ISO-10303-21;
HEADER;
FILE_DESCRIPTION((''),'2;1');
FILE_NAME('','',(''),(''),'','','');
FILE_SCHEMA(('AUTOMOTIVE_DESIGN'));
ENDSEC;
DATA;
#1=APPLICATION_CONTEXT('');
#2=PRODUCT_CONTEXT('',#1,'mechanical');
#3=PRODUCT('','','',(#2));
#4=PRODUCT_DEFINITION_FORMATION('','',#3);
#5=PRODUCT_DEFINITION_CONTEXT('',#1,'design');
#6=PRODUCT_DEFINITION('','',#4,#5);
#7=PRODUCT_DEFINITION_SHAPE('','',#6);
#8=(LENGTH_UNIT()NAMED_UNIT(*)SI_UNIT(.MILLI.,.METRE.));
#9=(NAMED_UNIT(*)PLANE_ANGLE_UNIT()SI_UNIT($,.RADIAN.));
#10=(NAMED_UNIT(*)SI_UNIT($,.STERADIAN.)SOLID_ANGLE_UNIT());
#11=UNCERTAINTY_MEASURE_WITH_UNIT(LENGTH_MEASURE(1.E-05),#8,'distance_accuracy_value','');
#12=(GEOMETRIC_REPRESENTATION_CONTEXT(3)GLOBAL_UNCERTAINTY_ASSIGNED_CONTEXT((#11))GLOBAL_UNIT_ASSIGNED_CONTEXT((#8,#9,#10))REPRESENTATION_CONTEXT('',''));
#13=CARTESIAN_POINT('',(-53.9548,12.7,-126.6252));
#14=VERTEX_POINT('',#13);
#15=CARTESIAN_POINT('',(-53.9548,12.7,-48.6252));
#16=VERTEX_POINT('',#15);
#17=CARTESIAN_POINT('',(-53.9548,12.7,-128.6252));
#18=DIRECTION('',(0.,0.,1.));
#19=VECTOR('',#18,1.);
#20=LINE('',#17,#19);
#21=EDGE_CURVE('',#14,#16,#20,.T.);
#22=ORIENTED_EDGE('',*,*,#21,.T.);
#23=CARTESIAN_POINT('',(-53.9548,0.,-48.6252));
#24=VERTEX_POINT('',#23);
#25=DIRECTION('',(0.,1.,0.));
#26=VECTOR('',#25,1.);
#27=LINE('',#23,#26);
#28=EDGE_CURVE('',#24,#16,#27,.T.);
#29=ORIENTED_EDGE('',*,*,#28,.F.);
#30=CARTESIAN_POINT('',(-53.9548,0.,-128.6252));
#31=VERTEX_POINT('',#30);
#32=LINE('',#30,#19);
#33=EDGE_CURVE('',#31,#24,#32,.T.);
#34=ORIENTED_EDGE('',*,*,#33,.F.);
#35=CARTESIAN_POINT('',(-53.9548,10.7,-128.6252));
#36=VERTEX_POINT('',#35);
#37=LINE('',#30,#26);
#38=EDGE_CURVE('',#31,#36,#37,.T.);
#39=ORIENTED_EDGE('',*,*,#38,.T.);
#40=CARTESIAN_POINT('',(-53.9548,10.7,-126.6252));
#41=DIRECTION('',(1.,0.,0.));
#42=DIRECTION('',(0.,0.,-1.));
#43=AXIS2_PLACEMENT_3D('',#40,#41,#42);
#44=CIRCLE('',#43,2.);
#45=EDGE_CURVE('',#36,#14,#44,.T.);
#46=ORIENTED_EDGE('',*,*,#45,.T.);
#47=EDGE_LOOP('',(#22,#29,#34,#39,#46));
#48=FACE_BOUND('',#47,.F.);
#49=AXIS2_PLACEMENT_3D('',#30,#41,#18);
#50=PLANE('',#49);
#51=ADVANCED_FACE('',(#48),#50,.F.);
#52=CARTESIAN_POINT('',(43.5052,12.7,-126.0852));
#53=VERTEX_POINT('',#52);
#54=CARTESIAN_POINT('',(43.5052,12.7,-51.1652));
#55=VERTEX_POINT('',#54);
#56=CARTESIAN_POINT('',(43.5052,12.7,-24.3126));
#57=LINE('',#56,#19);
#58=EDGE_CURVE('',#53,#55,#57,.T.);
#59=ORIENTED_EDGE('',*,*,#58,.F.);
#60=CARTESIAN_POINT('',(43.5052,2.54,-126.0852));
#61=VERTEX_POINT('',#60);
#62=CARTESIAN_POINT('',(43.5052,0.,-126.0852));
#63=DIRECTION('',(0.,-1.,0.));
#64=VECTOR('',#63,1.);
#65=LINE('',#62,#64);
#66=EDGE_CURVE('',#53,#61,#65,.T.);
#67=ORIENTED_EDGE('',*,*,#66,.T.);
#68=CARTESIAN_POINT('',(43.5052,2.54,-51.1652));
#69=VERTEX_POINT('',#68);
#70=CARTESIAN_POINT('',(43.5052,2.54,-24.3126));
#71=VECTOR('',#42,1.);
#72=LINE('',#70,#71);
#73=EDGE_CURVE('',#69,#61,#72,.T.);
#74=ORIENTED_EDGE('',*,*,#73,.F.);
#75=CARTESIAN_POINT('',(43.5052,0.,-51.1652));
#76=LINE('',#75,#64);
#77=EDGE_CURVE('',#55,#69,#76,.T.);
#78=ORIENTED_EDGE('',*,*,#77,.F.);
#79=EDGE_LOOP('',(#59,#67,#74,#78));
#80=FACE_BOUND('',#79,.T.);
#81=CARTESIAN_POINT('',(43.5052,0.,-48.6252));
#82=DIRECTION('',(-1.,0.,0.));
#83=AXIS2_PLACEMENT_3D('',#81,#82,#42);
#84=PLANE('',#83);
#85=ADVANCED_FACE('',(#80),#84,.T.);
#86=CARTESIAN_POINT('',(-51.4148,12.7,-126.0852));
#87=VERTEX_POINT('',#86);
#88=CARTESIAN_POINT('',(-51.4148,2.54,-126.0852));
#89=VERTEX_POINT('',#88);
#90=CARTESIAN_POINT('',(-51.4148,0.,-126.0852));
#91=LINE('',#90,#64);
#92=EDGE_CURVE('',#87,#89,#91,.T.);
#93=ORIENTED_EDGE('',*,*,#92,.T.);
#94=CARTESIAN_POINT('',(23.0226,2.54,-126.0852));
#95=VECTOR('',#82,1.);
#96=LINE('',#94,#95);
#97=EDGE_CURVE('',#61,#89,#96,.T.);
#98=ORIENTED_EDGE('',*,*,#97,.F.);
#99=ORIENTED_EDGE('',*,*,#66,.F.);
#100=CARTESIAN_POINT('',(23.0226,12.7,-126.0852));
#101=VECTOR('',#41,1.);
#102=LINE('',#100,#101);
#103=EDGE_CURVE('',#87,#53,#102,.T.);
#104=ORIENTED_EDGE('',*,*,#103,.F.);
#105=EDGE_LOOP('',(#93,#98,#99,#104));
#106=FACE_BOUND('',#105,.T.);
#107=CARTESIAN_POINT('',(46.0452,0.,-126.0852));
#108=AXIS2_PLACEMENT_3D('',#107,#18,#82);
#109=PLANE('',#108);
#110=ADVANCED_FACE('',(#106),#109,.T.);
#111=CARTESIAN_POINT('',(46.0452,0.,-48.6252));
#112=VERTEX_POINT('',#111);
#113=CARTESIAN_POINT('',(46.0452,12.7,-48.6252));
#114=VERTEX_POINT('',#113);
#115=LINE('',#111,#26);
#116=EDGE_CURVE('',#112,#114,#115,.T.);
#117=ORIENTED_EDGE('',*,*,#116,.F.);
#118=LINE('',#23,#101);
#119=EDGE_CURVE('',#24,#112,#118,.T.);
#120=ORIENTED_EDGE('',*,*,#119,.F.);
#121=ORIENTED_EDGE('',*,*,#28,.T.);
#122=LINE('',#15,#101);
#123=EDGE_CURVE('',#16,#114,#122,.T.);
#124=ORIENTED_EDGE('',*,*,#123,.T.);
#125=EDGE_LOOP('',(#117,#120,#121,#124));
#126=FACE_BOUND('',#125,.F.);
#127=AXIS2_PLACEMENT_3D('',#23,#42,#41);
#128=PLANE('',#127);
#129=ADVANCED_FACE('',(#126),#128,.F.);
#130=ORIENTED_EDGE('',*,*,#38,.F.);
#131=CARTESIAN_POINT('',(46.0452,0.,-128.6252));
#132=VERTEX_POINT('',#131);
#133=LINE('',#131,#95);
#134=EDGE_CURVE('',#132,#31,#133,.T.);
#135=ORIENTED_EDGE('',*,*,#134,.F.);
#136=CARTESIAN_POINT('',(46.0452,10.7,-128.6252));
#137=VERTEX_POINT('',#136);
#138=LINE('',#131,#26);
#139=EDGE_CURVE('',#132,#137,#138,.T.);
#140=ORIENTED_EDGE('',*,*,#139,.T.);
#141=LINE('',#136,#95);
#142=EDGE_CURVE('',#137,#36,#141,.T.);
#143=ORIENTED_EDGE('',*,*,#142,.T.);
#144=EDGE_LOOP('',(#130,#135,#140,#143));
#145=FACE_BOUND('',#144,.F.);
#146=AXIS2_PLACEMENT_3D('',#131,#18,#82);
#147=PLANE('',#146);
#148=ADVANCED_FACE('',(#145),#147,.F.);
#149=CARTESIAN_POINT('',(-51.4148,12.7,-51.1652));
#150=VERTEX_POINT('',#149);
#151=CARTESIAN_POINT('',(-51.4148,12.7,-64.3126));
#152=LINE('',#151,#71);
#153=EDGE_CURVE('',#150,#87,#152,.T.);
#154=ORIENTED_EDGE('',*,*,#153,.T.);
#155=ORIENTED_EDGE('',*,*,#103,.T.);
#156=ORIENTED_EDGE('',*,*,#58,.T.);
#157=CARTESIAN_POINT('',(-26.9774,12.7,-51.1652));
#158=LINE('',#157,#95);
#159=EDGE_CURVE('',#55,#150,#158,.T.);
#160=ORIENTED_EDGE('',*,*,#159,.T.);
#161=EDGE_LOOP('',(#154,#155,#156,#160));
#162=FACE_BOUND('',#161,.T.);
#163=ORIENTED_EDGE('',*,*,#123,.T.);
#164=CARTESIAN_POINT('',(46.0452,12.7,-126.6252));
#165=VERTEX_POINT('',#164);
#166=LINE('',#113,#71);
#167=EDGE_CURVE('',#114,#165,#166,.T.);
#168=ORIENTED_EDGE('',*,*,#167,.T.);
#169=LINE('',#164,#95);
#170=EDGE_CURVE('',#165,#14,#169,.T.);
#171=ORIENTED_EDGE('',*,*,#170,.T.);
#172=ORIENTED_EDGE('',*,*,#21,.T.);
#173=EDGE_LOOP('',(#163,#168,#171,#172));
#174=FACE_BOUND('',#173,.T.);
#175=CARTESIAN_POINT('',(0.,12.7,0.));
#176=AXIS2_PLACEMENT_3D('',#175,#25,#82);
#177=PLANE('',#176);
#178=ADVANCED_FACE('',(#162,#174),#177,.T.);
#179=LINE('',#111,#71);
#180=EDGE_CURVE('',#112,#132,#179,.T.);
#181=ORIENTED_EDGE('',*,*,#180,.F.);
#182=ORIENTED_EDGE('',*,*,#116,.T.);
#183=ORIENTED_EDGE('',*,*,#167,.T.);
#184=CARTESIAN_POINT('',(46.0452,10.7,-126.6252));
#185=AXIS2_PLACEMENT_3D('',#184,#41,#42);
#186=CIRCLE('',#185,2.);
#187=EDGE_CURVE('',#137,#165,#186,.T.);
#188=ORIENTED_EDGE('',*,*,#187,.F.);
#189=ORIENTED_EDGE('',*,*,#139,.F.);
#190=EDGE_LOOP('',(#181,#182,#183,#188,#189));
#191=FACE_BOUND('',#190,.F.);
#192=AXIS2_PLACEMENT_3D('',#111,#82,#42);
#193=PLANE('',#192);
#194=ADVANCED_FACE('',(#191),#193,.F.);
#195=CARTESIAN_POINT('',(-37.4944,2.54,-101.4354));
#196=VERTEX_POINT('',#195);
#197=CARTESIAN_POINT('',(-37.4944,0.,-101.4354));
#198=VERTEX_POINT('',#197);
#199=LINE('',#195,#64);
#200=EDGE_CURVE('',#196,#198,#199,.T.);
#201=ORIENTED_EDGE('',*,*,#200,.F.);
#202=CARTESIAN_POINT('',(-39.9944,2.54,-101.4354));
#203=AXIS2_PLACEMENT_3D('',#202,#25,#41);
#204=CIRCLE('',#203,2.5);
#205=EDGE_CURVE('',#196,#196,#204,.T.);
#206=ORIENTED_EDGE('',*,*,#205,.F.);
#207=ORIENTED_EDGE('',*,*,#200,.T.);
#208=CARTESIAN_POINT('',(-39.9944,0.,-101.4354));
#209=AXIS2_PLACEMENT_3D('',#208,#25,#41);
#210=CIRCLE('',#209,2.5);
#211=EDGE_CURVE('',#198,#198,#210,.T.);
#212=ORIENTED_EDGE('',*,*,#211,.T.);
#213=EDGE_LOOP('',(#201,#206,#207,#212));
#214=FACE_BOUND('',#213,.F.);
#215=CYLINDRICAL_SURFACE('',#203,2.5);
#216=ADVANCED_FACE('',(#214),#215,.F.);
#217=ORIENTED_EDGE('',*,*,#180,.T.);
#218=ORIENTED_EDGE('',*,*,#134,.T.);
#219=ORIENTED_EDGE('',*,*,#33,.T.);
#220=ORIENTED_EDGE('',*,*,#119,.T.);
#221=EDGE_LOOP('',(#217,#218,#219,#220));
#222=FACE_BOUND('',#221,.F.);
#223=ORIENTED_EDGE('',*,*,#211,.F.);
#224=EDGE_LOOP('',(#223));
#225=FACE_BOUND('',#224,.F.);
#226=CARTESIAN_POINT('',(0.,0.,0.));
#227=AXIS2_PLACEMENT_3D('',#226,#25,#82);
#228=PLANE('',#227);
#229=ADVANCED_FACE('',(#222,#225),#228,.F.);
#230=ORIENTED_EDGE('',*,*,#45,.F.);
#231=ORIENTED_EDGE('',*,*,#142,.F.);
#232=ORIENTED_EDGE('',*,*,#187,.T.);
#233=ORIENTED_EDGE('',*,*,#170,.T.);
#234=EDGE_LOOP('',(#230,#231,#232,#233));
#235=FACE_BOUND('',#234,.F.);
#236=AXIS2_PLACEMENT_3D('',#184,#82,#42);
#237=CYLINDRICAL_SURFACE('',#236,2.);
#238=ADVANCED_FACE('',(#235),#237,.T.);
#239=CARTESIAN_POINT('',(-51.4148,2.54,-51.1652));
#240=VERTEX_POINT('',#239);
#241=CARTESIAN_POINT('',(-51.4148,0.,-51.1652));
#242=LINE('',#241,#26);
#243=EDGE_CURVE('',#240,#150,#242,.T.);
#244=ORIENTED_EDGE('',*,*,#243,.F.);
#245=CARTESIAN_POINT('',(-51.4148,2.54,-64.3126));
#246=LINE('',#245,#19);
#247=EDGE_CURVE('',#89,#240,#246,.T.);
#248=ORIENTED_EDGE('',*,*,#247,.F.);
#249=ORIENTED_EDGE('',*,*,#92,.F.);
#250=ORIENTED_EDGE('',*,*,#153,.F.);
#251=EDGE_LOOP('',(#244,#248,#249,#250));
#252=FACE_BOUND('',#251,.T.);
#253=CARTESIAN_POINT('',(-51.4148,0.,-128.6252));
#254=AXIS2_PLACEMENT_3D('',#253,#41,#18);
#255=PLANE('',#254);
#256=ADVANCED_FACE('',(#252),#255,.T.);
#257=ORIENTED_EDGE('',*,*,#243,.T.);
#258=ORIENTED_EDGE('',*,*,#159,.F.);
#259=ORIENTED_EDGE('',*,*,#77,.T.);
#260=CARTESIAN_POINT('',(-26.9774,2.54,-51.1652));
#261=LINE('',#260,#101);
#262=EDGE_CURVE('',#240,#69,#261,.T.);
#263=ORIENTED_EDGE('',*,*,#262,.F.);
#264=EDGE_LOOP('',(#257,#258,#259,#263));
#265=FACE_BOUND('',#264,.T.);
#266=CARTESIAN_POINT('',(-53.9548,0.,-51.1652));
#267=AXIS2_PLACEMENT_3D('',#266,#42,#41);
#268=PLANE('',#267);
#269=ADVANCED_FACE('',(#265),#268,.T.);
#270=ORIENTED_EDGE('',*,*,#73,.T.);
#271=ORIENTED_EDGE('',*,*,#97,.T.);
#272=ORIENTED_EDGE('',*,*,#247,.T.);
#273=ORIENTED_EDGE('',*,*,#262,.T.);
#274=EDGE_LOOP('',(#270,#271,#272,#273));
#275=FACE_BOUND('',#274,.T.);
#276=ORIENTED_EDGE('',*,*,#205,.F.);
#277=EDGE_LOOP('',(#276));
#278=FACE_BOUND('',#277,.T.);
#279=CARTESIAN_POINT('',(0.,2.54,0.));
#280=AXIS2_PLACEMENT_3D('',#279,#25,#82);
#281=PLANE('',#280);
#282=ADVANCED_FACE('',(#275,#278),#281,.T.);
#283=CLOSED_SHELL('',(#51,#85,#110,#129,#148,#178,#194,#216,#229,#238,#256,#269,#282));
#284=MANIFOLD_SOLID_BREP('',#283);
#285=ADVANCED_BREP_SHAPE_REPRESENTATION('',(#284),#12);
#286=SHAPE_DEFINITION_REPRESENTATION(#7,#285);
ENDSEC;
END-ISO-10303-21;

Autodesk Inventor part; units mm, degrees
ref_plane "YZ Plane" through (0, 0, 0) normal (1, 0, 0) x (0, 1, 0)
ref_plane "XZ Plane" through (0, 0, 0) normal (0, 1, 0) x (-1, 0, 0)
ref_plane "XY Plane" through (0, 0, 0) normal (0, 0, 1) x (1, 0, 0)
sketch "Sketch1" plane through (0, 0, 0) normal (0, 1, 0) x (-1, 0, 0)
  line L0 (53.9548, -48.6252) -> (-46.0452, -48.6252)
  line L1 (-46.0452, -48.6252) -> (-46.0452, -128.6252)
  line L2 (-46.0452, -128.6252) -> (53.9548, -128.6252)
  line L3 (53.9548, -128.6252) -> (53.9548, -48.6252)
  point P0 (0, 0)
  dimension "d6" = 100
  dimension "d7" = 80
extrude "Extrusion1" add sketch "Sketch1" along normal blind 12.7
shell "Shell1" thickness 2.54 removed faces 1 at (12.7119, 12.7, -75.2919)
fillet "Fillet1" radius 2 1 edges at (-3.9548, 12.7, -128.6252)
sketch "Sketch2" plane through (-51.4148, 2.54, -126.0852) normal (0, 1, 0) x (1, 0, 0)
  circle A0 centre (11.4204, -24.6498) radius 2.5
  point P0 (51.4148, -126.0852)
  dimension "d8" = 5
extrude "Extrusion2" cut sketch "Sketch2" against normal blind 10
